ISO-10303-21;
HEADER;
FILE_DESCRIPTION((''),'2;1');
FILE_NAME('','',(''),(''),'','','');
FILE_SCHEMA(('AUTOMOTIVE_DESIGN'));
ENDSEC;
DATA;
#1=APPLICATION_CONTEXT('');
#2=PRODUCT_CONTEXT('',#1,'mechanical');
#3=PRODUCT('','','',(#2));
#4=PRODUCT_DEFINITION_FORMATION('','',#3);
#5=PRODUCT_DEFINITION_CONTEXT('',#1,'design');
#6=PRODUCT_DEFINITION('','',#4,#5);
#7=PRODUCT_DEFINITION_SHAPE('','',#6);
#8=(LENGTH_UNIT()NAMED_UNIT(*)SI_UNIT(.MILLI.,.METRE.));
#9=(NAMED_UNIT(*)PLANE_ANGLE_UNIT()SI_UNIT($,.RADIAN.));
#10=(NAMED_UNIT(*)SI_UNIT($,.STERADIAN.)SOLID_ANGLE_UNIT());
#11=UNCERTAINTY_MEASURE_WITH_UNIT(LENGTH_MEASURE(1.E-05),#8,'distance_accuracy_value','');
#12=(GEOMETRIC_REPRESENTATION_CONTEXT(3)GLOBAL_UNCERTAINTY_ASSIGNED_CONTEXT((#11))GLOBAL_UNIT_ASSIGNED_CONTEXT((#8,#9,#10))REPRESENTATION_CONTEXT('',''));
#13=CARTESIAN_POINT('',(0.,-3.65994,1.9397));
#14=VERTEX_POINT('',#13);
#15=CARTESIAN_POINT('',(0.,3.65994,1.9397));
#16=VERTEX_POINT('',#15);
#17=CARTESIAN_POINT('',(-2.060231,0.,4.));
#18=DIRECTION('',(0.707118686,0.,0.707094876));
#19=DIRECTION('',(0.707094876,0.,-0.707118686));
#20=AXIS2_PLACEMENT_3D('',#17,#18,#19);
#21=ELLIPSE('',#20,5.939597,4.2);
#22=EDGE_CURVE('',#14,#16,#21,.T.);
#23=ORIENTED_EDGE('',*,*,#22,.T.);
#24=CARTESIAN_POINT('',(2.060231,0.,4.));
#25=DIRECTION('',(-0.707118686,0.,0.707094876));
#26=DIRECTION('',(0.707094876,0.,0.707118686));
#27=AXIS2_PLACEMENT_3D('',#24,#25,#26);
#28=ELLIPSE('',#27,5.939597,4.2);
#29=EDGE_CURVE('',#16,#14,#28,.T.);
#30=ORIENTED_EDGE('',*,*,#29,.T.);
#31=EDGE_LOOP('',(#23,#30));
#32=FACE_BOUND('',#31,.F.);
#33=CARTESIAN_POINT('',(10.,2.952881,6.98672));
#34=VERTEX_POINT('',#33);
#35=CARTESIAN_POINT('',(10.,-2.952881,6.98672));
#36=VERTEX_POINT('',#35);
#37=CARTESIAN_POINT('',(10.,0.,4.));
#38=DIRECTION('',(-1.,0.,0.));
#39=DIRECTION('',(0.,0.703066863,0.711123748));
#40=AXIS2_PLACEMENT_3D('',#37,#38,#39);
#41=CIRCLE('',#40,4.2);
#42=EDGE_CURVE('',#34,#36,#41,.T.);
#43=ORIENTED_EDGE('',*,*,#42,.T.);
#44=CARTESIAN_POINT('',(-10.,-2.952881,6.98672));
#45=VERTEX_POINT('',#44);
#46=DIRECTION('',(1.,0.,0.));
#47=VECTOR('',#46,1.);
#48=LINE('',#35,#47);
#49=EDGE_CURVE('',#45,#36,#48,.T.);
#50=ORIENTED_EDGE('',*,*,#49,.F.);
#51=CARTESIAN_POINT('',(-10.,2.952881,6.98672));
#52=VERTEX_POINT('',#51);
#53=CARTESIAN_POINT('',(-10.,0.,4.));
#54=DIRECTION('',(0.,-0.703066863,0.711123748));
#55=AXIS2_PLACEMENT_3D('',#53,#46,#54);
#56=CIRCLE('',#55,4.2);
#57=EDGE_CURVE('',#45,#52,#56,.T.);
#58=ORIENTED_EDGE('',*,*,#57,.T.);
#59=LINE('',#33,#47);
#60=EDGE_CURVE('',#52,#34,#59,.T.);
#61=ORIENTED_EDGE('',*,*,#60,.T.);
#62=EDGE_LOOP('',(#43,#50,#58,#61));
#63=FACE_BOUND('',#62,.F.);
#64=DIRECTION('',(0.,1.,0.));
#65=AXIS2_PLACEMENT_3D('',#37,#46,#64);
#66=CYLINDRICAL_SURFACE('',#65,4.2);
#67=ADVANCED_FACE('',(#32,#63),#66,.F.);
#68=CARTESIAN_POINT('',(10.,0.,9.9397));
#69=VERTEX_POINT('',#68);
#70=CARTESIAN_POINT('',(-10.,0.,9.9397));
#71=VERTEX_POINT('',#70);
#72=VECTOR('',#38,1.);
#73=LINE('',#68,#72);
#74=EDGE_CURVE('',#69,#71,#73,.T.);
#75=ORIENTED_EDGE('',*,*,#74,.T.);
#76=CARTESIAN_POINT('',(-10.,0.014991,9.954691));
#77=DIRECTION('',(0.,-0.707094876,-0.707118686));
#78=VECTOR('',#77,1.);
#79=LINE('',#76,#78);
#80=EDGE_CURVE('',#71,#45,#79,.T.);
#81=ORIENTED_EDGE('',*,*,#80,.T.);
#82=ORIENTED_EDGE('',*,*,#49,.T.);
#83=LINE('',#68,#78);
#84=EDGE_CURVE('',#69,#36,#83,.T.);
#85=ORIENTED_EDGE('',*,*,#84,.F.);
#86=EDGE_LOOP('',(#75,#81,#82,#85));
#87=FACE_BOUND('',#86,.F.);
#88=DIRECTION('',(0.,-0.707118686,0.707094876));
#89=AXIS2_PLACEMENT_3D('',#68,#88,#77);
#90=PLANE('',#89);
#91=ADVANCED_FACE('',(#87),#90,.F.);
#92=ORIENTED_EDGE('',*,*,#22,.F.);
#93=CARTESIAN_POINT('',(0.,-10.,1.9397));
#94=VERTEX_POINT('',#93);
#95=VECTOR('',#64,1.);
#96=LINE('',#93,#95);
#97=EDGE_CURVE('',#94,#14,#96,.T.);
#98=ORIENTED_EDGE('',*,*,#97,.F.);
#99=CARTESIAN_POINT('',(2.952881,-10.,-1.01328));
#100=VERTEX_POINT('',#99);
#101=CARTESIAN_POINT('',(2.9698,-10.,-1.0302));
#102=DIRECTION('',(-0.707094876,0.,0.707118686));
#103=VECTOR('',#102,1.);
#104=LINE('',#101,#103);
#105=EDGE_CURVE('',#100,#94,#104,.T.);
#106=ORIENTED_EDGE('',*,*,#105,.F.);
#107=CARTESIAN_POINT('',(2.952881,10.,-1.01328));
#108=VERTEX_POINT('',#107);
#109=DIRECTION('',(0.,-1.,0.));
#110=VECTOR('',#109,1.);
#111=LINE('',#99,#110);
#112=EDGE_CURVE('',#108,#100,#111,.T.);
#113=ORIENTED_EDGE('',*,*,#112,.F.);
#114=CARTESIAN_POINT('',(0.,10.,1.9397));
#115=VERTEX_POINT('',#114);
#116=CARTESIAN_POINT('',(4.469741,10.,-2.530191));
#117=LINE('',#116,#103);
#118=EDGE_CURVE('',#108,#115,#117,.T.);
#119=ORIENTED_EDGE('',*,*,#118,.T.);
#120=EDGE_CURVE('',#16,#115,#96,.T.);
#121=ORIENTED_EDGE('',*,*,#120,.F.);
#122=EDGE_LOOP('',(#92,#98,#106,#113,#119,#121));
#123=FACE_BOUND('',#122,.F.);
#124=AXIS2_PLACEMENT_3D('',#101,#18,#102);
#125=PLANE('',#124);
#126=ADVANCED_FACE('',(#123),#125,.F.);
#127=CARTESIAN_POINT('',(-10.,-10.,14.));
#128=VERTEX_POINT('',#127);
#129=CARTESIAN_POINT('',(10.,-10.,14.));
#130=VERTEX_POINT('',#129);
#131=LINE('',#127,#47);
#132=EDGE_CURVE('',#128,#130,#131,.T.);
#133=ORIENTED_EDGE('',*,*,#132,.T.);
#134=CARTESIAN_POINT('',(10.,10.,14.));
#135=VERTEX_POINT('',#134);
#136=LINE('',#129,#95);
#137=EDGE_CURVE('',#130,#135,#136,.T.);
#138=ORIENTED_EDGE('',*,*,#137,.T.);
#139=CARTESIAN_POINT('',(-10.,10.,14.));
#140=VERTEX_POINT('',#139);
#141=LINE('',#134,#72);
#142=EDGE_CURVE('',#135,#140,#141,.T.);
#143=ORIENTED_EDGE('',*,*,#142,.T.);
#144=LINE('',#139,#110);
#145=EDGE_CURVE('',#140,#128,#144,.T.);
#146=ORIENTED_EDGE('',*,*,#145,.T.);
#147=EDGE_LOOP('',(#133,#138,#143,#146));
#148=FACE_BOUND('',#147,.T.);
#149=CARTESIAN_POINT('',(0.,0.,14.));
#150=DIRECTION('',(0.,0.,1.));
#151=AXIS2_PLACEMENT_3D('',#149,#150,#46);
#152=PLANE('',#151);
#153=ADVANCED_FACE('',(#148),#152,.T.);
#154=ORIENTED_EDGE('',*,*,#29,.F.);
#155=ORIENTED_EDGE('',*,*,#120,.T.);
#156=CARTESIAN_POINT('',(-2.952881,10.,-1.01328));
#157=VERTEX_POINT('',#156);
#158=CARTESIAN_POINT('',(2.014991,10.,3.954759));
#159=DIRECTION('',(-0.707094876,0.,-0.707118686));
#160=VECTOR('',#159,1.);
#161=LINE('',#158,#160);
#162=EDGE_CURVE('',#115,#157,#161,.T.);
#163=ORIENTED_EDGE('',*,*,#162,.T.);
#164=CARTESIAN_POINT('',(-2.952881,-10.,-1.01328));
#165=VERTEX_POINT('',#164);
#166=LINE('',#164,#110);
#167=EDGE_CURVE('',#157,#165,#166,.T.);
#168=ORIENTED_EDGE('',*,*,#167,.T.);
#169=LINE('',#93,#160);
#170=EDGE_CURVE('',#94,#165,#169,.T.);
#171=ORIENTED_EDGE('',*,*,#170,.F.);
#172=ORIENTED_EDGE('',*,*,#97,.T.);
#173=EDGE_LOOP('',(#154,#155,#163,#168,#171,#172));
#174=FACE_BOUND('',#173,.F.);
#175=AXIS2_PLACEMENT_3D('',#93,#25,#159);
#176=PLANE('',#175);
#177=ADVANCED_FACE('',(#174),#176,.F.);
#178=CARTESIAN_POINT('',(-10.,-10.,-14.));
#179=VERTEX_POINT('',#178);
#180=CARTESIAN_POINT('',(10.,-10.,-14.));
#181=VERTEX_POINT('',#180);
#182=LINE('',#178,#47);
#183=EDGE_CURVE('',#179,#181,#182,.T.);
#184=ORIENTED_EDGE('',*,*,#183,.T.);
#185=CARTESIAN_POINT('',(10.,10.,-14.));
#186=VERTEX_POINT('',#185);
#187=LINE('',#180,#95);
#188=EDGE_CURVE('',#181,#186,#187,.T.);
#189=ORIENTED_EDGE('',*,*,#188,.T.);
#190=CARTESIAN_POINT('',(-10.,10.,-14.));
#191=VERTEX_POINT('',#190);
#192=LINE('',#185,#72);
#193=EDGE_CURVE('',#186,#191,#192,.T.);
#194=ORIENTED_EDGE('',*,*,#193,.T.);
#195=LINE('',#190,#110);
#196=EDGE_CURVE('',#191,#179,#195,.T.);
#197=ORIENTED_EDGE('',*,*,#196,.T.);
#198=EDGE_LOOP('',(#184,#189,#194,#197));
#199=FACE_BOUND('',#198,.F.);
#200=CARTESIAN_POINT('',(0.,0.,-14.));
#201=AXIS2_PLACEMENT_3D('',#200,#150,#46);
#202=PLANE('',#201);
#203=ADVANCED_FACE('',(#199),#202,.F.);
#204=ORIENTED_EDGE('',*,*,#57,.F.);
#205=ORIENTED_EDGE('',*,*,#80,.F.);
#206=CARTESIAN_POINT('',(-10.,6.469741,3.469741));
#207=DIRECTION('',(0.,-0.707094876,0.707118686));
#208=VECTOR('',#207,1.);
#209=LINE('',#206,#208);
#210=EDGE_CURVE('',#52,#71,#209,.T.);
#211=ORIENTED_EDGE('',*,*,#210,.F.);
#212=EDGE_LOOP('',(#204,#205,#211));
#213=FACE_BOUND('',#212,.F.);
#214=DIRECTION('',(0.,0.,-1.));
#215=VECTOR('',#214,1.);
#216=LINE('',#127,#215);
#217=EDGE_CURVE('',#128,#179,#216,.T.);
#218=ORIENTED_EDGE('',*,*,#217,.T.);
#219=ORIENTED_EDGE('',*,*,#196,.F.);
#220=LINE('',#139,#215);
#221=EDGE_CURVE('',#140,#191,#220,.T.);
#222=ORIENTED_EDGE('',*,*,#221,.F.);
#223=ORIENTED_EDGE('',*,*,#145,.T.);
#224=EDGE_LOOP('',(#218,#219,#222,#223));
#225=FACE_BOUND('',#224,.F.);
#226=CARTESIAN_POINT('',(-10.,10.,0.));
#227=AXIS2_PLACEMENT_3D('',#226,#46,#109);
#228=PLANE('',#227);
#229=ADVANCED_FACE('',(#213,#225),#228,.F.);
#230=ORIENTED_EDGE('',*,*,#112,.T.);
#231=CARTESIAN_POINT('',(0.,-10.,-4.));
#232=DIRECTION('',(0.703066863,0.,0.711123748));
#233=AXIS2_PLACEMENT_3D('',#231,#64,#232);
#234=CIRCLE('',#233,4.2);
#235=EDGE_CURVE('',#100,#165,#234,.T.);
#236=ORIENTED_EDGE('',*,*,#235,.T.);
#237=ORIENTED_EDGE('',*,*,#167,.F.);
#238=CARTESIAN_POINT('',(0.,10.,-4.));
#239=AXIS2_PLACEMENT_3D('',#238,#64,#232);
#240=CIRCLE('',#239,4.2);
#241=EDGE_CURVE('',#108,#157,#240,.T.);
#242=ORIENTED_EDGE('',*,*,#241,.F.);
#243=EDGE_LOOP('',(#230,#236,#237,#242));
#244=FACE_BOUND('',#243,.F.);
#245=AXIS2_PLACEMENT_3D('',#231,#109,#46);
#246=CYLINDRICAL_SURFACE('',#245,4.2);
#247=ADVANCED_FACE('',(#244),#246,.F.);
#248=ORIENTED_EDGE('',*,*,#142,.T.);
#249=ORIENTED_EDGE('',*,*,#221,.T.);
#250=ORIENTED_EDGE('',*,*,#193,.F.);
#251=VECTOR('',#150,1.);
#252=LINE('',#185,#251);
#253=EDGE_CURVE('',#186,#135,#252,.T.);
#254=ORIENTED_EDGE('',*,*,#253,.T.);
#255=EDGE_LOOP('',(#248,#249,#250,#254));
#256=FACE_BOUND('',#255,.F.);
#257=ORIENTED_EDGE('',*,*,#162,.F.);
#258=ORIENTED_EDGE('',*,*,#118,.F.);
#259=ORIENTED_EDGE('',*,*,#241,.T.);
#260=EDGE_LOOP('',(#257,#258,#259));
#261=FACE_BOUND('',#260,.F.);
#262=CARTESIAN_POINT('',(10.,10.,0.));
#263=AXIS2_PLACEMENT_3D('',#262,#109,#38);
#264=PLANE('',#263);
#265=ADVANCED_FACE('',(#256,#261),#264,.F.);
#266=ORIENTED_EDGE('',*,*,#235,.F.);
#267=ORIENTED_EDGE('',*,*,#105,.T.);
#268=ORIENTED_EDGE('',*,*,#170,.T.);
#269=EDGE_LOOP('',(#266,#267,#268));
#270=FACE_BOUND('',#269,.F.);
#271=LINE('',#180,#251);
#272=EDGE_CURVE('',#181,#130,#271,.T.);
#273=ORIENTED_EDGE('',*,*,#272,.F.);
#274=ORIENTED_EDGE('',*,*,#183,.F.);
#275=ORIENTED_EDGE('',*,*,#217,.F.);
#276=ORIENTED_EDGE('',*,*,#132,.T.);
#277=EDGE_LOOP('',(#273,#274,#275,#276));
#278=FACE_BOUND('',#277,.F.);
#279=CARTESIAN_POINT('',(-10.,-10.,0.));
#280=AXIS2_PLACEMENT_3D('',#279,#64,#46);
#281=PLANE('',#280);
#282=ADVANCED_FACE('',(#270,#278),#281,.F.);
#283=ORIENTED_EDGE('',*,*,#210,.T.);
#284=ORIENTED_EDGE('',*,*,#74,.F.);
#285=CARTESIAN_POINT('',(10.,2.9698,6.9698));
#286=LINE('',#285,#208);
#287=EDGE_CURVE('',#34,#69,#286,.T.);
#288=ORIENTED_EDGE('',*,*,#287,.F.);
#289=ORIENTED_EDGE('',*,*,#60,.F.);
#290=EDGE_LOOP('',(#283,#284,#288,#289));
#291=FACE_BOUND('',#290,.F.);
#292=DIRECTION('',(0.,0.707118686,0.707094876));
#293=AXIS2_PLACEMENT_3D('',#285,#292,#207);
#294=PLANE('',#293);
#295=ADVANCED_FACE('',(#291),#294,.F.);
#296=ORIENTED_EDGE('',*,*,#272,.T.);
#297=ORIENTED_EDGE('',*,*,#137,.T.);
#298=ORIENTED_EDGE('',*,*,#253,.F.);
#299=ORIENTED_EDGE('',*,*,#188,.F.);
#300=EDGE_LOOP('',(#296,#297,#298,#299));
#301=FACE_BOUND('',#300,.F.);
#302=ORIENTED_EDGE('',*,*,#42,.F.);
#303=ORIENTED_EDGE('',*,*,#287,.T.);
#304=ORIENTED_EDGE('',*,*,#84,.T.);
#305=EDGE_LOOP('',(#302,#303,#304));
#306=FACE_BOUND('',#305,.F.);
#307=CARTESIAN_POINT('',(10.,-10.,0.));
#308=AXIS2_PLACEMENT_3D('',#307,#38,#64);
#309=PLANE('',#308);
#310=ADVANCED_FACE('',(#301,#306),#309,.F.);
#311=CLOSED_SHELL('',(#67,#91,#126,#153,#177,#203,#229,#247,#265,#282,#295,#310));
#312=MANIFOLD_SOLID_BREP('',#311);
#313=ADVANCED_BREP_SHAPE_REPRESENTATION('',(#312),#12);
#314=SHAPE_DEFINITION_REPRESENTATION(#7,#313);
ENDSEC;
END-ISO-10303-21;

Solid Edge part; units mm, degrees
sketch "Sketch1" plane through (0, 0, 0) normal (0, 0, 1) x (1, 0, 0)
  line L0 (-10, -10) -> (10, -10)
  line L1 (10, -10) -> (10, 10)
  line L2 (10, 10) -> (-10, 10)
  line L3 (-10, 10) -> (-10, -10)
  dimension "D1" = 20
  dimension "D2" = 20
extrude "Protrusion1" add sketch "Sketch1" along normal mid plane 28
sketch "Sketch2" plane through (0, -10, 12) normal (0, -1, 0) x (1, 0, 0)
  circle A0 centre (0, -16) radius 4.2
  dimension "D1" = 10
extrude "Cutout1" cut sketch "Sketch2" against normal through all
sketch "Sketch3" plane through (10, 0, 0) normal (1, 0, 0) x (0, 1, 0)
  circle A0 centre (0, 4) radius 4.2
  dimension "D1" = 10
  dimension "D2" = 8.4
extrude "Cutout2" cut sketch "Sketch3" against normal through all
sketch "Sketch4" plane through (0, -10, 0) normal (0, -1, 0) x (1, 0, 0)
  line L0 (0, -4) -> (2.9698, -1.0302)
  line L1 (2.9698, -1.0302) -> (0, 1.9397)
  line L2 (0, 1.9397) -> (-2.9698, -1.0302)
  line L3 (-2.9698, -1.0302) -> (0, -4)
extrude "Cutout3" cut sketch "Sketch4" against normal through all
sketch "Sketch5" plane through (10, 0, 0) normal (1, 0, 0) x (0, 1, 0)
  line L0 (0, 4) -> (2.9698, 6.9698)
  line L1 (2.9698, 6.9698) -> (0, 9.9397)
  line L2 (0, 9.9397) -> (-2.9698, 6.9698)
  line L3 (-2.9698, 6.9698) -> (0, 4)
extrude "Cutout4" cut sketch "Sketch5" against normal through all
extrude "Cutout5" [suppressed]
extrude "Cutout6" [suppressed]
